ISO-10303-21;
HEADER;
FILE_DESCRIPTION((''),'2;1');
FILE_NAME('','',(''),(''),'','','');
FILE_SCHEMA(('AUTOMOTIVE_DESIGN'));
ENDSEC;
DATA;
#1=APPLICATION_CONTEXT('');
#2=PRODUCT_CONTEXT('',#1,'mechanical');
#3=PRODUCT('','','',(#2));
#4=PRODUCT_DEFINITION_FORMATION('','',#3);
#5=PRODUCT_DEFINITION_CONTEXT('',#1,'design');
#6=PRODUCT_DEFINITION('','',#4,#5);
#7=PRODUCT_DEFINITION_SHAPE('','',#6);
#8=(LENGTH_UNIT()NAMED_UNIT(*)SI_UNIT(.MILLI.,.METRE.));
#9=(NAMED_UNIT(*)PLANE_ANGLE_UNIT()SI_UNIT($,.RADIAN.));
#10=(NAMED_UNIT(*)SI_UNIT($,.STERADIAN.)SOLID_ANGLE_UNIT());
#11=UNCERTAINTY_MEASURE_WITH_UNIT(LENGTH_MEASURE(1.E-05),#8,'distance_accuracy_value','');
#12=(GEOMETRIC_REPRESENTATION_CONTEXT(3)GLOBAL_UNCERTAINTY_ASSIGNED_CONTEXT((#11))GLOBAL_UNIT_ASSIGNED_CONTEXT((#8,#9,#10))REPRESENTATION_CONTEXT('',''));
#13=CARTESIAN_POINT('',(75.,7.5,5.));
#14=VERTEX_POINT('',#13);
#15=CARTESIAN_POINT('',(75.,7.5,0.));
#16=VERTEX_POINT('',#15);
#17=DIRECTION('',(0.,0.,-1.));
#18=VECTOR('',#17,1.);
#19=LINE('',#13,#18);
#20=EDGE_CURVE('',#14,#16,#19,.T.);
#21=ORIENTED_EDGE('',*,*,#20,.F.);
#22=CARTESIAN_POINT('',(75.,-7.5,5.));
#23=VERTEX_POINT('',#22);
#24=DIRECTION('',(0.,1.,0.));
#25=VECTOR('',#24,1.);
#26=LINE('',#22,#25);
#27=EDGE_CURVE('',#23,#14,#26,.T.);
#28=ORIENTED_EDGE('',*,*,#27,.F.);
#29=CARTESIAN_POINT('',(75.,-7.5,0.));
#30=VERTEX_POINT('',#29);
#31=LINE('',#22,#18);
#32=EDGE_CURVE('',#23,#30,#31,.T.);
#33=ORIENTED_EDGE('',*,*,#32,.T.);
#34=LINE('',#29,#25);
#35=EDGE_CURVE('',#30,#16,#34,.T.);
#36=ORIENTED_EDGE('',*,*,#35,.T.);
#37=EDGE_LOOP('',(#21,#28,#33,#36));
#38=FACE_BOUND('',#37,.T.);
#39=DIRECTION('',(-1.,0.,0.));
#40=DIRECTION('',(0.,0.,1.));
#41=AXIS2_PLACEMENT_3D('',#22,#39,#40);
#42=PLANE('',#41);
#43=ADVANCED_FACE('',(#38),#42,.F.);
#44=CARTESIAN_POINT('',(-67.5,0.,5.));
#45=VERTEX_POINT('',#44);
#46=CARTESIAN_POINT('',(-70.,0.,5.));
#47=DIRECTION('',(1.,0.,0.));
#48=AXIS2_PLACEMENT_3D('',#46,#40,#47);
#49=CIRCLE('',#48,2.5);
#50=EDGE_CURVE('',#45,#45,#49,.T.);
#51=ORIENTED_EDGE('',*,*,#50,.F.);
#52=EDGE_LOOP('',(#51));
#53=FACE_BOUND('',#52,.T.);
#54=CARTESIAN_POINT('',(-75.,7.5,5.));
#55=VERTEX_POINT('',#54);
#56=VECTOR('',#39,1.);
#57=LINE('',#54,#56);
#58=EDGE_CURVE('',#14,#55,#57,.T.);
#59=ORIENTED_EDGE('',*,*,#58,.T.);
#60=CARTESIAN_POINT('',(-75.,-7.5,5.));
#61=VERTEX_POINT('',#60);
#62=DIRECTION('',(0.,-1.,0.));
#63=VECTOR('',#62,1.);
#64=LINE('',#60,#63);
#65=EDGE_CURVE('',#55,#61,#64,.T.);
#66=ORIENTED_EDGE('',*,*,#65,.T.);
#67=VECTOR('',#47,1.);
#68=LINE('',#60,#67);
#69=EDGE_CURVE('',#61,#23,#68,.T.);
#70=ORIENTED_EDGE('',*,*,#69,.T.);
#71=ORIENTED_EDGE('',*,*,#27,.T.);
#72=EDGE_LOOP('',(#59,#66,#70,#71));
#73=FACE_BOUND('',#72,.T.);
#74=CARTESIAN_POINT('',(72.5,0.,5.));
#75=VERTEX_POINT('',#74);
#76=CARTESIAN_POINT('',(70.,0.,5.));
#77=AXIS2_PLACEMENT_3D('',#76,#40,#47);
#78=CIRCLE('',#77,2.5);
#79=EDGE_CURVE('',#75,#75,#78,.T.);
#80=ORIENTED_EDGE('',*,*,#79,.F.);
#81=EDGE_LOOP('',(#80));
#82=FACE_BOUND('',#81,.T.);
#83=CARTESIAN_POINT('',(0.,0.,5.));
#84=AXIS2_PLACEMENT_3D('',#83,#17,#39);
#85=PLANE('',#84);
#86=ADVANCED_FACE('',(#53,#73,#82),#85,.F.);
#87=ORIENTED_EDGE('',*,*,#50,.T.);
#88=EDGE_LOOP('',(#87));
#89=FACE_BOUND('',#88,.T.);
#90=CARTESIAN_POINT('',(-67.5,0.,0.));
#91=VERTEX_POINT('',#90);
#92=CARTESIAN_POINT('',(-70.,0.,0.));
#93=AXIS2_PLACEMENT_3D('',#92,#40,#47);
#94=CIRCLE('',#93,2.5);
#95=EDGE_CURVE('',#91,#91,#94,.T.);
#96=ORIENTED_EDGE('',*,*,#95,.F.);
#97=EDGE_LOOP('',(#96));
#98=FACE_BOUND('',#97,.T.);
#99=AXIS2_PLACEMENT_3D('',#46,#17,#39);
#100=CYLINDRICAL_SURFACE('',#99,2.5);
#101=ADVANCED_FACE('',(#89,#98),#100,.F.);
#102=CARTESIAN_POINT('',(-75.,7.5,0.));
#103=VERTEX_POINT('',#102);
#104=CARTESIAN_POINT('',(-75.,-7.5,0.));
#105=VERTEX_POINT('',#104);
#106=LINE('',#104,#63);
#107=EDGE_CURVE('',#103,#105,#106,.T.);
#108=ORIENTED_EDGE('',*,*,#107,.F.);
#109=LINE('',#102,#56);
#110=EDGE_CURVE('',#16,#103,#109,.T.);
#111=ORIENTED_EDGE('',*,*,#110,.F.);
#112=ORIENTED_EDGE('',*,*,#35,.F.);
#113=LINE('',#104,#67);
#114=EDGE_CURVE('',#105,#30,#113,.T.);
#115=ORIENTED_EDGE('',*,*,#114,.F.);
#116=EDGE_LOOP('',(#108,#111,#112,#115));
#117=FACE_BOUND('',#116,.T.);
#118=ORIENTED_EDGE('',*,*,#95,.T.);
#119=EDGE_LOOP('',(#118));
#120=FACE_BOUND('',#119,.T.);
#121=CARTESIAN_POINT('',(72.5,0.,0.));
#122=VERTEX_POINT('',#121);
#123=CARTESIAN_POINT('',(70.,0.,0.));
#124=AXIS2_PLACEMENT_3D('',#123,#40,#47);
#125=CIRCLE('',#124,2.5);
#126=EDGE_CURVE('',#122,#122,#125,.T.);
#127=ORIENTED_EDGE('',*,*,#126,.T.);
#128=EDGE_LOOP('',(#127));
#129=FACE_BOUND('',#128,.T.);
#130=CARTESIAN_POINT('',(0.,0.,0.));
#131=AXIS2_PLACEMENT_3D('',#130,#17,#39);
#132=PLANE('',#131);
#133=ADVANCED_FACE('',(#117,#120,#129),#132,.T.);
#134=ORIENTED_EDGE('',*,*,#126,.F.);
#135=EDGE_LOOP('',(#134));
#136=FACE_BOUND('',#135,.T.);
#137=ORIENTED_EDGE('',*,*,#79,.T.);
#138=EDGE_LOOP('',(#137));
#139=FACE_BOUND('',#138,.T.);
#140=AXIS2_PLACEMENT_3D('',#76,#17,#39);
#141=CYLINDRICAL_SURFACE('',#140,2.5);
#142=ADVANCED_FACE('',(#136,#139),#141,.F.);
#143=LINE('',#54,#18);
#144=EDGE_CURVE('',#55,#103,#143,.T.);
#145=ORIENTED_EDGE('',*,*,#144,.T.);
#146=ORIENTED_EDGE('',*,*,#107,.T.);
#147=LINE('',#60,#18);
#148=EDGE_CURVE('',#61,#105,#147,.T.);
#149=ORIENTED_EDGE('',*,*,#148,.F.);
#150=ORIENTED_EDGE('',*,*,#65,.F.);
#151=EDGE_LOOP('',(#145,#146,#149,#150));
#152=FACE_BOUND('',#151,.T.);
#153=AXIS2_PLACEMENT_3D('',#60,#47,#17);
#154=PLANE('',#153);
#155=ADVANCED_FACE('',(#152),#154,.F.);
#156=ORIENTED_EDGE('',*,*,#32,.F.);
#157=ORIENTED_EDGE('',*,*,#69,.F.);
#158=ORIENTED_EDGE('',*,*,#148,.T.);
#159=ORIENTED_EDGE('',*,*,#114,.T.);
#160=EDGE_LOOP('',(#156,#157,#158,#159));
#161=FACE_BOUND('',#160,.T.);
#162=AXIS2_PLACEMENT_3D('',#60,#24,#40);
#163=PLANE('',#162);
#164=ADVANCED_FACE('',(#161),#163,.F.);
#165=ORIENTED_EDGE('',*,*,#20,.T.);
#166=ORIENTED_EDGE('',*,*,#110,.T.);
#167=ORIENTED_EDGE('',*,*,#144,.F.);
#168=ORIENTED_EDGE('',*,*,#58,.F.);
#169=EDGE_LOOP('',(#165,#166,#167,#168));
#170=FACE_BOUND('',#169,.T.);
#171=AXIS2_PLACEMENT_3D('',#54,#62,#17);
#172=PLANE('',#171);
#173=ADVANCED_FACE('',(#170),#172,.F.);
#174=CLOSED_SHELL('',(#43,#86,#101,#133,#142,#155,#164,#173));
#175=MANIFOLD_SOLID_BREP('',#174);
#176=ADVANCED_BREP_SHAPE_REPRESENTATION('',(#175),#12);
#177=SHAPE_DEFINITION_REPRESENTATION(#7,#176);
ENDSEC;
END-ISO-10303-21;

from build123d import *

# Parameters (mm, degrees)
SKETCH1_W           = 150
SKETCH1_H           = 15
SKETCH1_R           = 2.5
BOSS_EXTRUDE1_DEPTH = 5


with BuildPart() as part:
    # Sketch1 → Boss-Extrude1 (new body)
    with BuildSketch(Plane.XY):
        Rectangle(SKETCH1_W, SKETCH1_H)
        with Locations((70, 0)):
            Circle(SKETCH1_R, mode=Mode.SUBTRACT)
        with Locations((-70, 0)):
            Circle(SKETCH1_R, mode=Mode.SUBTRACT)
    extrude(amount=BOSS_EXTRUDE1_DEPTH)


solid = part.part
